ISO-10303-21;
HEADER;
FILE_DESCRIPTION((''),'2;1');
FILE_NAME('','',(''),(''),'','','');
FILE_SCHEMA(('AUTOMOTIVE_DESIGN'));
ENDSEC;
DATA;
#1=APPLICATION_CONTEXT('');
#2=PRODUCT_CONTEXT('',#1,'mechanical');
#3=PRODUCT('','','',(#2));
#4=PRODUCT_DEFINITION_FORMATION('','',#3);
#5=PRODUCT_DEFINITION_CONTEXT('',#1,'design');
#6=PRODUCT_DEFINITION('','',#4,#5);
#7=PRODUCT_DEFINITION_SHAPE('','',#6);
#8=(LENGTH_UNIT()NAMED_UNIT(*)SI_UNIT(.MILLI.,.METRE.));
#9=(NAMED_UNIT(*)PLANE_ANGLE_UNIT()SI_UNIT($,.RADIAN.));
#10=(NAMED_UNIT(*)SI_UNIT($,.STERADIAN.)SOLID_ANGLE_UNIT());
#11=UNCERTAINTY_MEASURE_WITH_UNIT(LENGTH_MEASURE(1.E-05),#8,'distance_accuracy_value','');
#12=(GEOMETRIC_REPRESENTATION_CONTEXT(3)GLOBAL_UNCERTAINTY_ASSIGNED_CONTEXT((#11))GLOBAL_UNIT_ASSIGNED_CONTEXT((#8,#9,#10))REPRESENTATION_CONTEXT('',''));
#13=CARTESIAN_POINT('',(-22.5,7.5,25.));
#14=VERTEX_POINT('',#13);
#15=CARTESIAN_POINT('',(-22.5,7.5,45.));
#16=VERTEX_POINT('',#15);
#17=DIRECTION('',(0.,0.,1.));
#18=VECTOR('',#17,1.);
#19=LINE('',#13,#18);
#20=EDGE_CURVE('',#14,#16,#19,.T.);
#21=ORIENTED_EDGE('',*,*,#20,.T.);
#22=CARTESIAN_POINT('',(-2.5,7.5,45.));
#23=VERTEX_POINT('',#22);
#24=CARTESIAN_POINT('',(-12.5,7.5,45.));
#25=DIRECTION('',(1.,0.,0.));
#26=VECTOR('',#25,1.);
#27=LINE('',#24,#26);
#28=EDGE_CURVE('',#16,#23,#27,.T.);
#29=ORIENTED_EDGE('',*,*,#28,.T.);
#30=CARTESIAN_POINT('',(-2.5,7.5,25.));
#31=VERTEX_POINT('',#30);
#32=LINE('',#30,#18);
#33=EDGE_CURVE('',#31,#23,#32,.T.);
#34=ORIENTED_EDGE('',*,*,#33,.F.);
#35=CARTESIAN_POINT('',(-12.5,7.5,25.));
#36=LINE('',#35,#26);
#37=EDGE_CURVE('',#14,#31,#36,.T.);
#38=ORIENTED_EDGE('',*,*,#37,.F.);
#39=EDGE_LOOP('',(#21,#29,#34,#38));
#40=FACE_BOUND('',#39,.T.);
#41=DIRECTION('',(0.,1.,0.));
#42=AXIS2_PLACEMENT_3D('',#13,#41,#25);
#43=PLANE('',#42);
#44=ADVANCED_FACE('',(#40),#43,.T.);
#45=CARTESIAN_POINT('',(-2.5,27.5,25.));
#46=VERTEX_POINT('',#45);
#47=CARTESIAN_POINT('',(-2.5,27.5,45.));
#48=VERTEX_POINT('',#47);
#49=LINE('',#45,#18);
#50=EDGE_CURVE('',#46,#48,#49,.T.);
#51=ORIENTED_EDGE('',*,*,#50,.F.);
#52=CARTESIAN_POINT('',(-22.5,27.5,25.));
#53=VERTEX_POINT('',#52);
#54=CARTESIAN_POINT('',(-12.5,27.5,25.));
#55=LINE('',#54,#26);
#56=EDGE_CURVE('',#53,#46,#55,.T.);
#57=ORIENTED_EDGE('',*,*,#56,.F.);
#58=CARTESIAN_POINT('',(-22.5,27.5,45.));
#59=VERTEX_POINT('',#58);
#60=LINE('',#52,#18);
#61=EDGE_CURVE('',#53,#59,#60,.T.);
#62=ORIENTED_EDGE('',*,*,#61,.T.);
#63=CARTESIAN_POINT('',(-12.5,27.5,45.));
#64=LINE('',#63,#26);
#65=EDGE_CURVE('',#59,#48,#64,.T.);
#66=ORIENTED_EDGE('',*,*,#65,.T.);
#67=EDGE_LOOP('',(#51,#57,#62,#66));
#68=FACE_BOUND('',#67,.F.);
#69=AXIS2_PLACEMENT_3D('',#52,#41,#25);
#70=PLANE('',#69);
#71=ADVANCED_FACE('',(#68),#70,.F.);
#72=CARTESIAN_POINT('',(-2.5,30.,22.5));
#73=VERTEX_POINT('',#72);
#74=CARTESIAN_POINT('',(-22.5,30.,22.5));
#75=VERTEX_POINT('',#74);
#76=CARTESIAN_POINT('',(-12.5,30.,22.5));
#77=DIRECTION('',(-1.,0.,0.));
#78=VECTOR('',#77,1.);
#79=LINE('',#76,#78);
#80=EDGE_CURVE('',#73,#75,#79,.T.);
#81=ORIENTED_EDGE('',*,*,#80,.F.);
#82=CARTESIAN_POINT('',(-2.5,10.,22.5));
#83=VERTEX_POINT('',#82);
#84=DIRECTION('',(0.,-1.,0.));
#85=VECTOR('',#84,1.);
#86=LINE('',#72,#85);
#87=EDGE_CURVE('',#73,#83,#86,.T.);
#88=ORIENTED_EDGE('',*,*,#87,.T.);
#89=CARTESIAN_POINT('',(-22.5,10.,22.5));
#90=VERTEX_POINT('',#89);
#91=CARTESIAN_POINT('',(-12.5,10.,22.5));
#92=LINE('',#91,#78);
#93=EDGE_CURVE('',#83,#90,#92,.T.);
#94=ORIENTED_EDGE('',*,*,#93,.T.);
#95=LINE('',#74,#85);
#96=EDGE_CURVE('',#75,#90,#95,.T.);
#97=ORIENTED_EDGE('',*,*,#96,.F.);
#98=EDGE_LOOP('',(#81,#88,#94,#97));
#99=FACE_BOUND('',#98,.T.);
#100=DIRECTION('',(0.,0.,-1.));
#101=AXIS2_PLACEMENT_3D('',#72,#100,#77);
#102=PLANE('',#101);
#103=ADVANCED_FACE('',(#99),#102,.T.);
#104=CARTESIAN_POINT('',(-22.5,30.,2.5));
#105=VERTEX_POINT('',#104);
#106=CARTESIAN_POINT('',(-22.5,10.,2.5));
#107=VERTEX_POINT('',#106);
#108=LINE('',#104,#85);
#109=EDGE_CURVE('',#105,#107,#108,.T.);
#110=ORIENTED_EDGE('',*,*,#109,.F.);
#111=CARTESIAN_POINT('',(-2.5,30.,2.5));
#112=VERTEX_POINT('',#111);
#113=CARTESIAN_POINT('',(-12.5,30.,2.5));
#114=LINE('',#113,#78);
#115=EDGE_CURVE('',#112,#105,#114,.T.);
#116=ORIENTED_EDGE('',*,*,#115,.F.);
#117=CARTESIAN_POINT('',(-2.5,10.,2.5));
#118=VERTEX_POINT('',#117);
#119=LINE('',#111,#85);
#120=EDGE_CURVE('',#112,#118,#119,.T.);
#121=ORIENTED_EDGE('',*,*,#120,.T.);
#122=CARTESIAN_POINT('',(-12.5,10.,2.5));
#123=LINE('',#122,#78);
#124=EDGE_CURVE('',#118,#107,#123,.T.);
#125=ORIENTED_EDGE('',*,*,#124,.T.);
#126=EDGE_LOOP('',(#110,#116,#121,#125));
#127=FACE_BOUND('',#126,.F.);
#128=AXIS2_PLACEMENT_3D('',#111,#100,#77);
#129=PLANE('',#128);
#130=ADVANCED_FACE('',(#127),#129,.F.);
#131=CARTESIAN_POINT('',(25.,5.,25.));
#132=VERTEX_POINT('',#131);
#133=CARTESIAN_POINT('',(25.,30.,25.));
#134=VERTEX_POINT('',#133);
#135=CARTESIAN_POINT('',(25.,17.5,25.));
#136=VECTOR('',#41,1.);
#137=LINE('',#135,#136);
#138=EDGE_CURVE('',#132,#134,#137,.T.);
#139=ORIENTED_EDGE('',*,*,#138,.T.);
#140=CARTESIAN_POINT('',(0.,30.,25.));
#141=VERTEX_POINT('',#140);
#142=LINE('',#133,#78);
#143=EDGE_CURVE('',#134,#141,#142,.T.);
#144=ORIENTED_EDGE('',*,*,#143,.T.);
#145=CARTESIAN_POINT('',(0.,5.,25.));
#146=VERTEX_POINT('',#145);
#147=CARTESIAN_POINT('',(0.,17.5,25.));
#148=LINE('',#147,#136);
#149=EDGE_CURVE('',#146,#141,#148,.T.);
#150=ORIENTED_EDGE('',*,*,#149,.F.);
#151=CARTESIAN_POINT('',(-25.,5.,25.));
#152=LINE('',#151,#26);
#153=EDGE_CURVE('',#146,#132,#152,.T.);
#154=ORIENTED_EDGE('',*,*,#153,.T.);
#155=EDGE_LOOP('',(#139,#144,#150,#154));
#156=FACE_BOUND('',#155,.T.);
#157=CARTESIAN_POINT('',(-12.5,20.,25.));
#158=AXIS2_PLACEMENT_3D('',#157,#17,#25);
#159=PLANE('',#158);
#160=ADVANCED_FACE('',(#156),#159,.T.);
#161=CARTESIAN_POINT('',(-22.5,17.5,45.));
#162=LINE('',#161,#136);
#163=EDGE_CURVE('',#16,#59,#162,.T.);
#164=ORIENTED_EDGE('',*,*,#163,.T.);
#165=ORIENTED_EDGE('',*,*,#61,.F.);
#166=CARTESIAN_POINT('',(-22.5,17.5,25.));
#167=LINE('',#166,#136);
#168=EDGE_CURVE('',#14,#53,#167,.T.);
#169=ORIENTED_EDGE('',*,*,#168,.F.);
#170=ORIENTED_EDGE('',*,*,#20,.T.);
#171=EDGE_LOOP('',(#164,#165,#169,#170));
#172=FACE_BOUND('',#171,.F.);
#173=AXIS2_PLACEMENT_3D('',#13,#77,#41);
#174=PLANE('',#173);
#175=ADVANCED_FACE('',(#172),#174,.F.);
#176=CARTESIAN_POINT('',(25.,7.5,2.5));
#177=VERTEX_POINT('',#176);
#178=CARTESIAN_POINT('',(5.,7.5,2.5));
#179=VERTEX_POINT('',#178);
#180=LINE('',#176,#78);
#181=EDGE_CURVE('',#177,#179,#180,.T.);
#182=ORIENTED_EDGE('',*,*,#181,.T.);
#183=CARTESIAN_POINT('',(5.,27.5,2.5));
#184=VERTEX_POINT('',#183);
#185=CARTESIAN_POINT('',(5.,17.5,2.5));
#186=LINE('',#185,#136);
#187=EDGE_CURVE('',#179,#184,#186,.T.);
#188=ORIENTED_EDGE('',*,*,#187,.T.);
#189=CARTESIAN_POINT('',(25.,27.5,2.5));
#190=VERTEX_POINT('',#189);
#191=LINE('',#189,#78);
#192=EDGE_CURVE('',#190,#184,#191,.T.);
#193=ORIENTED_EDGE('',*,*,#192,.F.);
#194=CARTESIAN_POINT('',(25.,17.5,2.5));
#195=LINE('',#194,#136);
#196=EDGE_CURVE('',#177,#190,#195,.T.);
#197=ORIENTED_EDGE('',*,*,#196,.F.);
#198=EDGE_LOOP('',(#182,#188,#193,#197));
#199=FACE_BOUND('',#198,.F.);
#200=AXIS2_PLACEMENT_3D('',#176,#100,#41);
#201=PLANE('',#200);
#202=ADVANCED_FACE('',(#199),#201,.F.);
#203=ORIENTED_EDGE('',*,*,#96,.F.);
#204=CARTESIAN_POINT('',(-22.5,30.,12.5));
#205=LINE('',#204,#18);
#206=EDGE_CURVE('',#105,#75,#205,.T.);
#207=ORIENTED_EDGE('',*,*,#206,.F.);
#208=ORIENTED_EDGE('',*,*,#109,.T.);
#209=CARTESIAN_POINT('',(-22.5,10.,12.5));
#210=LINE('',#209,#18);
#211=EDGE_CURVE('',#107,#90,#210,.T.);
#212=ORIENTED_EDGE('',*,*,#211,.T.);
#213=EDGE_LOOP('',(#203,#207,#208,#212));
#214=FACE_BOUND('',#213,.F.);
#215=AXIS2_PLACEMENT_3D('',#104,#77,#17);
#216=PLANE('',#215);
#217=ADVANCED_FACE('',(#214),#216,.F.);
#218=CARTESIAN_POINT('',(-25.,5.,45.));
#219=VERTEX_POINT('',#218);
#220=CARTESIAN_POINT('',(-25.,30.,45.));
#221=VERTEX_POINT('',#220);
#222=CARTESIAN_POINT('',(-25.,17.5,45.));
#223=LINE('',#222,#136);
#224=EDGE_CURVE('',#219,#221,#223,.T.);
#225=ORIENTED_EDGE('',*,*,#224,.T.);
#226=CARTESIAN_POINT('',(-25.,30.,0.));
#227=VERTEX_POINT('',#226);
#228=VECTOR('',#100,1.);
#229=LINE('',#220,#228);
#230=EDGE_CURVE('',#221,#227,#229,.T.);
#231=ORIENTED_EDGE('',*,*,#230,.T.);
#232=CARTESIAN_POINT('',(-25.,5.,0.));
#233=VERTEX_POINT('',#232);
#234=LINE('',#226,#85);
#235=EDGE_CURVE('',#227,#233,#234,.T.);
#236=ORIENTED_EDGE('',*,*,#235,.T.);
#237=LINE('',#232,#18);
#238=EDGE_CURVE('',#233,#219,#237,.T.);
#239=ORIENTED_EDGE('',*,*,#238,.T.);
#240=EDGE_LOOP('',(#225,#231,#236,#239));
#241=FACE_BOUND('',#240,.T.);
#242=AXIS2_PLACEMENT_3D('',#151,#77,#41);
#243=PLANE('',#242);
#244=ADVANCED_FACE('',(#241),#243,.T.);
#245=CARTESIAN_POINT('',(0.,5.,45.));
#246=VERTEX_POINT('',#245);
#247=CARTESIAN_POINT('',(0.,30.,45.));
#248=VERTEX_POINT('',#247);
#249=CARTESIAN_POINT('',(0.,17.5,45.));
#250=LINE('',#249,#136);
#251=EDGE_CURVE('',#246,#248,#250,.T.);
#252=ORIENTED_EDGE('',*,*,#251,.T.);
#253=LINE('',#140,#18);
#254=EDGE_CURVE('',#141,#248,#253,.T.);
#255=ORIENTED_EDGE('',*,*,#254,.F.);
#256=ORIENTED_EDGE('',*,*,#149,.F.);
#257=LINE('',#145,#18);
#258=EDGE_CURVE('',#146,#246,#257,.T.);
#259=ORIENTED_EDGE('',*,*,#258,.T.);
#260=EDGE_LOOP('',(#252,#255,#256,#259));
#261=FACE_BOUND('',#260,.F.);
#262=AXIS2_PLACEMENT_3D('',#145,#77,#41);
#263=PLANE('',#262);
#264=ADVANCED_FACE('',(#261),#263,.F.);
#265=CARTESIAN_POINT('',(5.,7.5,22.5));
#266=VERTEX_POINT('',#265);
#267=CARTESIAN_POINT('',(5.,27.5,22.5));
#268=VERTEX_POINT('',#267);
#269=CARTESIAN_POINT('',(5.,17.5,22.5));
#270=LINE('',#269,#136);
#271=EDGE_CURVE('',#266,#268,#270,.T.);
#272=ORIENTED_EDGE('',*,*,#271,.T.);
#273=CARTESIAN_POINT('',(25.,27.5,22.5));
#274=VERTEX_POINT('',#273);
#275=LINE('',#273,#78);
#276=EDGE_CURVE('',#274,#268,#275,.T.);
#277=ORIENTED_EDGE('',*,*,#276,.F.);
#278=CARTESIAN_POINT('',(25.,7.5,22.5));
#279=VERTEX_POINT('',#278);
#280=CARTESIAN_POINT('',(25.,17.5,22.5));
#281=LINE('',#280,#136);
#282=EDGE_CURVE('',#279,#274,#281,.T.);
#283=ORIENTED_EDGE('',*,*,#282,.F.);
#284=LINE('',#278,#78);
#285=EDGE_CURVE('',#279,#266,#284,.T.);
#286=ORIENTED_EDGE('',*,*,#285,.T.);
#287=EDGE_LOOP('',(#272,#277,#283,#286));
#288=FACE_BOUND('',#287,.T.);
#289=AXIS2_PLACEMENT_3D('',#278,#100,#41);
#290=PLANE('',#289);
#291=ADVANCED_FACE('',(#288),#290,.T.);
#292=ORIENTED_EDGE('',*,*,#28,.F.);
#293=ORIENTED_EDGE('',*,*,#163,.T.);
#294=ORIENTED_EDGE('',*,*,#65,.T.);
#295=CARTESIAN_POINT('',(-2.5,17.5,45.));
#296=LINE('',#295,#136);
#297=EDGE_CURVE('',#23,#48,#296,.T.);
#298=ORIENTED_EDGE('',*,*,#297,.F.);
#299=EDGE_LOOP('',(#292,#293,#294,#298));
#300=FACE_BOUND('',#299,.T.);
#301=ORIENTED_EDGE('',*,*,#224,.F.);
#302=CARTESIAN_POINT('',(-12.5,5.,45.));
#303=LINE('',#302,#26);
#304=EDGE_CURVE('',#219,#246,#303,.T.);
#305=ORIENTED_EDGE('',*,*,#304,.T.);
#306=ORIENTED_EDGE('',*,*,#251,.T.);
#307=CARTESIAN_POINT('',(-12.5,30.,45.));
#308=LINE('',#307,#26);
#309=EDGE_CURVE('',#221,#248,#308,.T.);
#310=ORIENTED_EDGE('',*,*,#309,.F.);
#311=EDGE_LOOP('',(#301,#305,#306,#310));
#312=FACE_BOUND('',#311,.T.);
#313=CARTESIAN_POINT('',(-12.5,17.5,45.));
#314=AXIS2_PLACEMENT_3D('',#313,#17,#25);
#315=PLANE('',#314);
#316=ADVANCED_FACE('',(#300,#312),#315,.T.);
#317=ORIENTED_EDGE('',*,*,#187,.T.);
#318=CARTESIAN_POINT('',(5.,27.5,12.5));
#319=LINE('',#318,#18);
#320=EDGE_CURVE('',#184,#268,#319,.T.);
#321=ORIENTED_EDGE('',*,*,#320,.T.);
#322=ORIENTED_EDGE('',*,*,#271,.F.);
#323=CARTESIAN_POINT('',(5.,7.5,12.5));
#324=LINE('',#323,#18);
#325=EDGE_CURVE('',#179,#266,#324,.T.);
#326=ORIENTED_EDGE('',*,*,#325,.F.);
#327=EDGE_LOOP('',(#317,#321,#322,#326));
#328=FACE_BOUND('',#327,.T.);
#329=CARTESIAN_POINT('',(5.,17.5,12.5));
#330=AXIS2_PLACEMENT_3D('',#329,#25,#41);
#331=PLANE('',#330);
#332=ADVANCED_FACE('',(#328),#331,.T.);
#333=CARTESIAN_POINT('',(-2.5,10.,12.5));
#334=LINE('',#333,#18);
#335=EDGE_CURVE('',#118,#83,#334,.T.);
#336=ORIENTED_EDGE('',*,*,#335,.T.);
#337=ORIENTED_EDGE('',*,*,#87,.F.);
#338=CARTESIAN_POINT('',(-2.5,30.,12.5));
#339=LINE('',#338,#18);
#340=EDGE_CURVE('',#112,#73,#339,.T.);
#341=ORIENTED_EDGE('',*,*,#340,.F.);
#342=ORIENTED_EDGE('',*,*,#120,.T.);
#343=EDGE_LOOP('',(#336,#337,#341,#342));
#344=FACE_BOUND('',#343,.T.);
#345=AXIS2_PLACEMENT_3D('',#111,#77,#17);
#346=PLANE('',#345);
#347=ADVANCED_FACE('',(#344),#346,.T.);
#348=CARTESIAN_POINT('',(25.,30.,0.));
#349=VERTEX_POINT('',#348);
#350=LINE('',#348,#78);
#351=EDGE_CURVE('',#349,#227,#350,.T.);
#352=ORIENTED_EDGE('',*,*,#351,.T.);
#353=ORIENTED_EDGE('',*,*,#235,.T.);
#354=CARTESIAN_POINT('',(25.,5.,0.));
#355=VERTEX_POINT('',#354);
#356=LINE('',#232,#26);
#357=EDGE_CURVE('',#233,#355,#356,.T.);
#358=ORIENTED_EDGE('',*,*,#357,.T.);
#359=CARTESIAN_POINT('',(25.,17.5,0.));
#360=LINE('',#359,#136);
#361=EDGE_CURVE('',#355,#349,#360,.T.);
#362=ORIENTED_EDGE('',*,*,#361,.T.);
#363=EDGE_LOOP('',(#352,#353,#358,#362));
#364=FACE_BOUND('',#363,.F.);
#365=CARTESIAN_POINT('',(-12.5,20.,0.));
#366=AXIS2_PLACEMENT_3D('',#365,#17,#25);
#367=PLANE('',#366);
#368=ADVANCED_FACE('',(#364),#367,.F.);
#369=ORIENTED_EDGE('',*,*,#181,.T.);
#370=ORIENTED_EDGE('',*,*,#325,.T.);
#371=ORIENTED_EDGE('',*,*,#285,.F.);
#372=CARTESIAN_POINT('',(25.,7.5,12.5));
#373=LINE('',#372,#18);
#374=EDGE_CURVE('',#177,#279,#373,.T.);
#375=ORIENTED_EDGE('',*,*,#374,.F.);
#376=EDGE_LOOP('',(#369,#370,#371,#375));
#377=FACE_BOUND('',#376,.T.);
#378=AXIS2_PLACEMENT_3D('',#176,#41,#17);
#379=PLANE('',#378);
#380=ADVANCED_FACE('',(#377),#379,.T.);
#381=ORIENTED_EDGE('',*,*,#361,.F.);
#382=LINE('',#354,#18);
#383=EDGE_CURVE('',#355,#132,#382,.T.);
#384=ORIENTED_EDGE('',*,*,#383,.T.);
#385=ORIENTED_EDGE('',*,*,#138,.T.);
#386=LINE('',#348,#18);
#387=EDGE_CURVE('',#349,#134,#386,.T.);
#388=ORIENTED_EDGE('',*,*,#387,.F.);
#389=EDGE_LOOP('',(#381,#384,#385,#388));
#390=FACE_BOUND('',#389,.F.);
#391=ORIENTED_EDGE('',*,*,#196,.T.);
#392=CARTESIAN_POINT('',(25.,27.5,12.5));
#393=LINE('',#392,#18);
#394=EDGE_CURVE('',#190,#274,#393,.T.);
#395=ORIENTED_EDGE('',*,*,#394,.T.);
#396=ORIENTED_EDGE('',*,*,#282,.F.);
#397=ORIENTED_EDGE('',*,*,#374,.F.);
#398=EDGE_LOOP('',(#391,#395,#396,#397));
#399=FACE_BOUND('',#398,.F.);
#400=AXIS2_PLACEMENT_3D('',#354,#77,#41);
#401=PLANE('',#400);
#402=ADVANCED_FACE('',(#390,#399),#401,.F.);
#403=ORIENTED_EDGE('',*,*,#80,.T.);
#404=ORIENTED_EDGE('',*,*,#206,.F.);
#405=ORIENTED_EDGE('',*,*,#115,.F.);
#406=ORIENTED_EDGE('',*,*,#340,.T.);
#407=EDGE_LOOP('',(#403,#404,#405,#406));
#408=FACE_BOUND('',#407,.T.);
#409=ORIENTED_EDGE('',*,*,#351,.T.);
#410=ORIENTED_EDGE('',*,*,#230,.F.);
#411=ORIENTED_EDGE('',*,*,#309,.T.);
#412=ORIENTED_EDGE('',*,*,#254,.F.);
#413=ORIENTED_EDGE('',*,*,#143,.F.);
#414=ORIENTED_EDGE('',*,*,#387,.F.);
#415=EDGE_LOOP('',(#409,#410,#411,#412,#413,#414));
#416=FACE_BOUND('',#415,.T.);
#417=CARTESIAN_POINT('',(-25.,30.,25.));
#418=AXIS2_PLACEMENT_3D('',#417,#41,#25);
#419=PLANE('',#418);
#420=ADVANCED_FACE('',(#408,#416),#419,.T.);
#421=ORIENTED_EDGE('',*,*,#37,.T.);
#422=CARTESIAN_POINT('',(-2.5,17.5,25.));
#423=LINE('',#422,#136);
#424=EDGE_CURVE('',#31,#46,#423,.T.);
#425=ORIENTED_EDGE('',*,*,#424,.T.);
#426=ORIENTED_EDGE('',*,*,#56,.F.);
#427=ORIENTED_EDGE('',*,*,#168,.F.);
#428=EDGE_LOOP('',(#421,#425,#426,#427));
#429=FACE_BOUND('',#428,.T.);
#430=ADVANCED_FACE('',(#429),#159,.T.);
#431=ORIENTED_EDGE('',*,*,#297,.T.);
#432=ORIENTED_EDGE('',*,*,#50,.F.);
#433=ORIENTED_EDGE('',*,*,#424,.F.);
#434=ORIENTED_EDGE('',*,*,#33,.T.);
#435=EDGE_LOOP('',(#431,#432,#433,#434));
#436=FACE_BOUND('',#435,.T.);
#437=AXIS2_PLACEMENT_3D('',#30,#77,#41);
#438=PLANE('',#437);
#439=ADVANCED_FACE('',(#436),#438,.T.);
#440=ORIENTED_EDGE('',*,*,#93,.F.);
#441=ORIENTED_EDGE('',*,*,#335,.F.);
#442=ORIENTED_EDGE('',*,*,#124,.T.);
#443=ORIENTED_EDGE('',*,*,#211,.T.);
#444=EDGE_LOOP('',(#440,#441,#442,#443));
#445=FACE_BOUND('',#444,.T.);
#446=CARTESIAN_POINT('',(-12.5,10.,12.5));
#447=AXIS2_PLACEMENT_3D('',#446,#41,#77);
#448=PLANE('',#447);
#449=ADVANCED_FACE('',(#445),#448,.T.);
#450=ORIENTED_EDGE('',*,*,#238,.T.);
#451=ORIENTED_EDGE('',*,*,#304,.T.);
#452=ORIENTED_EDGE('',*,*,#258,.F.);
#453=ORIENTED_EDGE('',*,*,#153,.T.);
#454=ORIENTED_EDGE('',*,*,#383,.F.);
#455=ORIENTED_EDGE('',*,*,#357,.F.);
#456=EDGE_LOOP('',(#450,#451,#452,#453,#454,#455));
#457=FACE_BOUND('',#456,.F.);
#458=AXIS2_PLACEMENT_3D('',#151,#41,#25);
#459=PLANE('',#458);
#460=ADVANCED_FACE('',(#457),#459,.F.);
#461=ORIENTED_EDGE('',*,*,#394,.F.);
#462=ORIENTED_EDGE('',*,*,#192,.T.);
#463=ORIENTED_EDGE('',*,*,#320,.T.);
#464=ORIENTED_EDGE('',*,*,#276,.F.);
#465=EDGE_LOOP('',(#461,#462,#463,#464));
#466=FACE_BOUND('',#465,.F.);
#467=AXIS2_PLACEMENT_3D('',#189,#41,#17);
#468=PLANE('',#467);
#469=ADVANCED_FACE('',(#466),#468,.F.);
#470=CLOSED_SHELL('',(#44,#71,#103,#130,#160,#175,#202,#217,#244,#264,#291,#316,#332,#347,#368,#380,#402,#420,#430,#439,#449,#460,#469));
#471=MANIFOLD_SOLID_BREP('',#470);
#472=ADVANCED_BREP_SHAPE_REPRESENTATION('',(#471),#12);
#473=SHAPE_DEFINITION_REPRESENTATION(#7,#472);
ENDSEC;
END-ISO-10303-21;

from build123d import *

# Parameters (mm, degrees)
F0_W     = 25
F0_H     = 20
F0_H_2   = 5
F0_W_2   = 20
F0_H_3   = 25
F1_DEPTH = 25
F2_W     = 20
F2_H     = 20
F3_DEPTH = 20
F4_W     = 20
F4_H     = 20
F5_DEPTH = 20
F6_W     = 25
F6_H     = 25
F6_W_2   = 20
F6_H_2   = 20
F7_DEPTH = 20


with BuildPart() as f1:
    # F0 (on Top) → F1 (new body)
    with BuildSketch(Plane.XY):
        with Locations((-12.5, 20)):
            Rectangle(F0_W, F0_H)
        Polygon((5, 30), (0, 30), (0, 10), (0, 5), (5, 5), align=None)
        with Locations((-12.5, 7.5)):
            Rectangle(F0_W, F0_H_2)
        with Locations((15, 17.5)):
            Rectangle(F0_W_2, F0_H_3)
    extrude(amount=F1_DEPTH)

    # F2 (on face) → F3 (cut)
    with BuildSketch(Plane(origin=(0, 30, 0), x_dir=(-1, 0, 0), z_dir=(0, 1, 0))):
        with Locations((12.5, 12.5)):
            Rectangle(F2_W, F2_H)
    extrude(amount=-F3_DEPTH, mode=Mode.SUBTRACT)

    # F4 (on face) → F5 (cut)
    with BuildSketch(Plane.YZ.offset(25)):
        with Locations((17.5, 12.5)):
            Rectangle(F4_W, F4_H)
    extrude(amount=-F5_DEPTH, mode=Mode.SUBTRACT)

    # F6 (on face) → F7 (join)
    with BuildSketch(Plane.XY.offset(25)):
        with Locations((-12.5, 17.5)):
            Rectangle(F6_W, F6_H)
        with Locations((-12.5, 17.5)):
            Rectangle(F6_W_2, F6_H_2, mode=Mode.SUBTRACT)
    extrude(amount=F7_DEPTH)


solid = f1.part
